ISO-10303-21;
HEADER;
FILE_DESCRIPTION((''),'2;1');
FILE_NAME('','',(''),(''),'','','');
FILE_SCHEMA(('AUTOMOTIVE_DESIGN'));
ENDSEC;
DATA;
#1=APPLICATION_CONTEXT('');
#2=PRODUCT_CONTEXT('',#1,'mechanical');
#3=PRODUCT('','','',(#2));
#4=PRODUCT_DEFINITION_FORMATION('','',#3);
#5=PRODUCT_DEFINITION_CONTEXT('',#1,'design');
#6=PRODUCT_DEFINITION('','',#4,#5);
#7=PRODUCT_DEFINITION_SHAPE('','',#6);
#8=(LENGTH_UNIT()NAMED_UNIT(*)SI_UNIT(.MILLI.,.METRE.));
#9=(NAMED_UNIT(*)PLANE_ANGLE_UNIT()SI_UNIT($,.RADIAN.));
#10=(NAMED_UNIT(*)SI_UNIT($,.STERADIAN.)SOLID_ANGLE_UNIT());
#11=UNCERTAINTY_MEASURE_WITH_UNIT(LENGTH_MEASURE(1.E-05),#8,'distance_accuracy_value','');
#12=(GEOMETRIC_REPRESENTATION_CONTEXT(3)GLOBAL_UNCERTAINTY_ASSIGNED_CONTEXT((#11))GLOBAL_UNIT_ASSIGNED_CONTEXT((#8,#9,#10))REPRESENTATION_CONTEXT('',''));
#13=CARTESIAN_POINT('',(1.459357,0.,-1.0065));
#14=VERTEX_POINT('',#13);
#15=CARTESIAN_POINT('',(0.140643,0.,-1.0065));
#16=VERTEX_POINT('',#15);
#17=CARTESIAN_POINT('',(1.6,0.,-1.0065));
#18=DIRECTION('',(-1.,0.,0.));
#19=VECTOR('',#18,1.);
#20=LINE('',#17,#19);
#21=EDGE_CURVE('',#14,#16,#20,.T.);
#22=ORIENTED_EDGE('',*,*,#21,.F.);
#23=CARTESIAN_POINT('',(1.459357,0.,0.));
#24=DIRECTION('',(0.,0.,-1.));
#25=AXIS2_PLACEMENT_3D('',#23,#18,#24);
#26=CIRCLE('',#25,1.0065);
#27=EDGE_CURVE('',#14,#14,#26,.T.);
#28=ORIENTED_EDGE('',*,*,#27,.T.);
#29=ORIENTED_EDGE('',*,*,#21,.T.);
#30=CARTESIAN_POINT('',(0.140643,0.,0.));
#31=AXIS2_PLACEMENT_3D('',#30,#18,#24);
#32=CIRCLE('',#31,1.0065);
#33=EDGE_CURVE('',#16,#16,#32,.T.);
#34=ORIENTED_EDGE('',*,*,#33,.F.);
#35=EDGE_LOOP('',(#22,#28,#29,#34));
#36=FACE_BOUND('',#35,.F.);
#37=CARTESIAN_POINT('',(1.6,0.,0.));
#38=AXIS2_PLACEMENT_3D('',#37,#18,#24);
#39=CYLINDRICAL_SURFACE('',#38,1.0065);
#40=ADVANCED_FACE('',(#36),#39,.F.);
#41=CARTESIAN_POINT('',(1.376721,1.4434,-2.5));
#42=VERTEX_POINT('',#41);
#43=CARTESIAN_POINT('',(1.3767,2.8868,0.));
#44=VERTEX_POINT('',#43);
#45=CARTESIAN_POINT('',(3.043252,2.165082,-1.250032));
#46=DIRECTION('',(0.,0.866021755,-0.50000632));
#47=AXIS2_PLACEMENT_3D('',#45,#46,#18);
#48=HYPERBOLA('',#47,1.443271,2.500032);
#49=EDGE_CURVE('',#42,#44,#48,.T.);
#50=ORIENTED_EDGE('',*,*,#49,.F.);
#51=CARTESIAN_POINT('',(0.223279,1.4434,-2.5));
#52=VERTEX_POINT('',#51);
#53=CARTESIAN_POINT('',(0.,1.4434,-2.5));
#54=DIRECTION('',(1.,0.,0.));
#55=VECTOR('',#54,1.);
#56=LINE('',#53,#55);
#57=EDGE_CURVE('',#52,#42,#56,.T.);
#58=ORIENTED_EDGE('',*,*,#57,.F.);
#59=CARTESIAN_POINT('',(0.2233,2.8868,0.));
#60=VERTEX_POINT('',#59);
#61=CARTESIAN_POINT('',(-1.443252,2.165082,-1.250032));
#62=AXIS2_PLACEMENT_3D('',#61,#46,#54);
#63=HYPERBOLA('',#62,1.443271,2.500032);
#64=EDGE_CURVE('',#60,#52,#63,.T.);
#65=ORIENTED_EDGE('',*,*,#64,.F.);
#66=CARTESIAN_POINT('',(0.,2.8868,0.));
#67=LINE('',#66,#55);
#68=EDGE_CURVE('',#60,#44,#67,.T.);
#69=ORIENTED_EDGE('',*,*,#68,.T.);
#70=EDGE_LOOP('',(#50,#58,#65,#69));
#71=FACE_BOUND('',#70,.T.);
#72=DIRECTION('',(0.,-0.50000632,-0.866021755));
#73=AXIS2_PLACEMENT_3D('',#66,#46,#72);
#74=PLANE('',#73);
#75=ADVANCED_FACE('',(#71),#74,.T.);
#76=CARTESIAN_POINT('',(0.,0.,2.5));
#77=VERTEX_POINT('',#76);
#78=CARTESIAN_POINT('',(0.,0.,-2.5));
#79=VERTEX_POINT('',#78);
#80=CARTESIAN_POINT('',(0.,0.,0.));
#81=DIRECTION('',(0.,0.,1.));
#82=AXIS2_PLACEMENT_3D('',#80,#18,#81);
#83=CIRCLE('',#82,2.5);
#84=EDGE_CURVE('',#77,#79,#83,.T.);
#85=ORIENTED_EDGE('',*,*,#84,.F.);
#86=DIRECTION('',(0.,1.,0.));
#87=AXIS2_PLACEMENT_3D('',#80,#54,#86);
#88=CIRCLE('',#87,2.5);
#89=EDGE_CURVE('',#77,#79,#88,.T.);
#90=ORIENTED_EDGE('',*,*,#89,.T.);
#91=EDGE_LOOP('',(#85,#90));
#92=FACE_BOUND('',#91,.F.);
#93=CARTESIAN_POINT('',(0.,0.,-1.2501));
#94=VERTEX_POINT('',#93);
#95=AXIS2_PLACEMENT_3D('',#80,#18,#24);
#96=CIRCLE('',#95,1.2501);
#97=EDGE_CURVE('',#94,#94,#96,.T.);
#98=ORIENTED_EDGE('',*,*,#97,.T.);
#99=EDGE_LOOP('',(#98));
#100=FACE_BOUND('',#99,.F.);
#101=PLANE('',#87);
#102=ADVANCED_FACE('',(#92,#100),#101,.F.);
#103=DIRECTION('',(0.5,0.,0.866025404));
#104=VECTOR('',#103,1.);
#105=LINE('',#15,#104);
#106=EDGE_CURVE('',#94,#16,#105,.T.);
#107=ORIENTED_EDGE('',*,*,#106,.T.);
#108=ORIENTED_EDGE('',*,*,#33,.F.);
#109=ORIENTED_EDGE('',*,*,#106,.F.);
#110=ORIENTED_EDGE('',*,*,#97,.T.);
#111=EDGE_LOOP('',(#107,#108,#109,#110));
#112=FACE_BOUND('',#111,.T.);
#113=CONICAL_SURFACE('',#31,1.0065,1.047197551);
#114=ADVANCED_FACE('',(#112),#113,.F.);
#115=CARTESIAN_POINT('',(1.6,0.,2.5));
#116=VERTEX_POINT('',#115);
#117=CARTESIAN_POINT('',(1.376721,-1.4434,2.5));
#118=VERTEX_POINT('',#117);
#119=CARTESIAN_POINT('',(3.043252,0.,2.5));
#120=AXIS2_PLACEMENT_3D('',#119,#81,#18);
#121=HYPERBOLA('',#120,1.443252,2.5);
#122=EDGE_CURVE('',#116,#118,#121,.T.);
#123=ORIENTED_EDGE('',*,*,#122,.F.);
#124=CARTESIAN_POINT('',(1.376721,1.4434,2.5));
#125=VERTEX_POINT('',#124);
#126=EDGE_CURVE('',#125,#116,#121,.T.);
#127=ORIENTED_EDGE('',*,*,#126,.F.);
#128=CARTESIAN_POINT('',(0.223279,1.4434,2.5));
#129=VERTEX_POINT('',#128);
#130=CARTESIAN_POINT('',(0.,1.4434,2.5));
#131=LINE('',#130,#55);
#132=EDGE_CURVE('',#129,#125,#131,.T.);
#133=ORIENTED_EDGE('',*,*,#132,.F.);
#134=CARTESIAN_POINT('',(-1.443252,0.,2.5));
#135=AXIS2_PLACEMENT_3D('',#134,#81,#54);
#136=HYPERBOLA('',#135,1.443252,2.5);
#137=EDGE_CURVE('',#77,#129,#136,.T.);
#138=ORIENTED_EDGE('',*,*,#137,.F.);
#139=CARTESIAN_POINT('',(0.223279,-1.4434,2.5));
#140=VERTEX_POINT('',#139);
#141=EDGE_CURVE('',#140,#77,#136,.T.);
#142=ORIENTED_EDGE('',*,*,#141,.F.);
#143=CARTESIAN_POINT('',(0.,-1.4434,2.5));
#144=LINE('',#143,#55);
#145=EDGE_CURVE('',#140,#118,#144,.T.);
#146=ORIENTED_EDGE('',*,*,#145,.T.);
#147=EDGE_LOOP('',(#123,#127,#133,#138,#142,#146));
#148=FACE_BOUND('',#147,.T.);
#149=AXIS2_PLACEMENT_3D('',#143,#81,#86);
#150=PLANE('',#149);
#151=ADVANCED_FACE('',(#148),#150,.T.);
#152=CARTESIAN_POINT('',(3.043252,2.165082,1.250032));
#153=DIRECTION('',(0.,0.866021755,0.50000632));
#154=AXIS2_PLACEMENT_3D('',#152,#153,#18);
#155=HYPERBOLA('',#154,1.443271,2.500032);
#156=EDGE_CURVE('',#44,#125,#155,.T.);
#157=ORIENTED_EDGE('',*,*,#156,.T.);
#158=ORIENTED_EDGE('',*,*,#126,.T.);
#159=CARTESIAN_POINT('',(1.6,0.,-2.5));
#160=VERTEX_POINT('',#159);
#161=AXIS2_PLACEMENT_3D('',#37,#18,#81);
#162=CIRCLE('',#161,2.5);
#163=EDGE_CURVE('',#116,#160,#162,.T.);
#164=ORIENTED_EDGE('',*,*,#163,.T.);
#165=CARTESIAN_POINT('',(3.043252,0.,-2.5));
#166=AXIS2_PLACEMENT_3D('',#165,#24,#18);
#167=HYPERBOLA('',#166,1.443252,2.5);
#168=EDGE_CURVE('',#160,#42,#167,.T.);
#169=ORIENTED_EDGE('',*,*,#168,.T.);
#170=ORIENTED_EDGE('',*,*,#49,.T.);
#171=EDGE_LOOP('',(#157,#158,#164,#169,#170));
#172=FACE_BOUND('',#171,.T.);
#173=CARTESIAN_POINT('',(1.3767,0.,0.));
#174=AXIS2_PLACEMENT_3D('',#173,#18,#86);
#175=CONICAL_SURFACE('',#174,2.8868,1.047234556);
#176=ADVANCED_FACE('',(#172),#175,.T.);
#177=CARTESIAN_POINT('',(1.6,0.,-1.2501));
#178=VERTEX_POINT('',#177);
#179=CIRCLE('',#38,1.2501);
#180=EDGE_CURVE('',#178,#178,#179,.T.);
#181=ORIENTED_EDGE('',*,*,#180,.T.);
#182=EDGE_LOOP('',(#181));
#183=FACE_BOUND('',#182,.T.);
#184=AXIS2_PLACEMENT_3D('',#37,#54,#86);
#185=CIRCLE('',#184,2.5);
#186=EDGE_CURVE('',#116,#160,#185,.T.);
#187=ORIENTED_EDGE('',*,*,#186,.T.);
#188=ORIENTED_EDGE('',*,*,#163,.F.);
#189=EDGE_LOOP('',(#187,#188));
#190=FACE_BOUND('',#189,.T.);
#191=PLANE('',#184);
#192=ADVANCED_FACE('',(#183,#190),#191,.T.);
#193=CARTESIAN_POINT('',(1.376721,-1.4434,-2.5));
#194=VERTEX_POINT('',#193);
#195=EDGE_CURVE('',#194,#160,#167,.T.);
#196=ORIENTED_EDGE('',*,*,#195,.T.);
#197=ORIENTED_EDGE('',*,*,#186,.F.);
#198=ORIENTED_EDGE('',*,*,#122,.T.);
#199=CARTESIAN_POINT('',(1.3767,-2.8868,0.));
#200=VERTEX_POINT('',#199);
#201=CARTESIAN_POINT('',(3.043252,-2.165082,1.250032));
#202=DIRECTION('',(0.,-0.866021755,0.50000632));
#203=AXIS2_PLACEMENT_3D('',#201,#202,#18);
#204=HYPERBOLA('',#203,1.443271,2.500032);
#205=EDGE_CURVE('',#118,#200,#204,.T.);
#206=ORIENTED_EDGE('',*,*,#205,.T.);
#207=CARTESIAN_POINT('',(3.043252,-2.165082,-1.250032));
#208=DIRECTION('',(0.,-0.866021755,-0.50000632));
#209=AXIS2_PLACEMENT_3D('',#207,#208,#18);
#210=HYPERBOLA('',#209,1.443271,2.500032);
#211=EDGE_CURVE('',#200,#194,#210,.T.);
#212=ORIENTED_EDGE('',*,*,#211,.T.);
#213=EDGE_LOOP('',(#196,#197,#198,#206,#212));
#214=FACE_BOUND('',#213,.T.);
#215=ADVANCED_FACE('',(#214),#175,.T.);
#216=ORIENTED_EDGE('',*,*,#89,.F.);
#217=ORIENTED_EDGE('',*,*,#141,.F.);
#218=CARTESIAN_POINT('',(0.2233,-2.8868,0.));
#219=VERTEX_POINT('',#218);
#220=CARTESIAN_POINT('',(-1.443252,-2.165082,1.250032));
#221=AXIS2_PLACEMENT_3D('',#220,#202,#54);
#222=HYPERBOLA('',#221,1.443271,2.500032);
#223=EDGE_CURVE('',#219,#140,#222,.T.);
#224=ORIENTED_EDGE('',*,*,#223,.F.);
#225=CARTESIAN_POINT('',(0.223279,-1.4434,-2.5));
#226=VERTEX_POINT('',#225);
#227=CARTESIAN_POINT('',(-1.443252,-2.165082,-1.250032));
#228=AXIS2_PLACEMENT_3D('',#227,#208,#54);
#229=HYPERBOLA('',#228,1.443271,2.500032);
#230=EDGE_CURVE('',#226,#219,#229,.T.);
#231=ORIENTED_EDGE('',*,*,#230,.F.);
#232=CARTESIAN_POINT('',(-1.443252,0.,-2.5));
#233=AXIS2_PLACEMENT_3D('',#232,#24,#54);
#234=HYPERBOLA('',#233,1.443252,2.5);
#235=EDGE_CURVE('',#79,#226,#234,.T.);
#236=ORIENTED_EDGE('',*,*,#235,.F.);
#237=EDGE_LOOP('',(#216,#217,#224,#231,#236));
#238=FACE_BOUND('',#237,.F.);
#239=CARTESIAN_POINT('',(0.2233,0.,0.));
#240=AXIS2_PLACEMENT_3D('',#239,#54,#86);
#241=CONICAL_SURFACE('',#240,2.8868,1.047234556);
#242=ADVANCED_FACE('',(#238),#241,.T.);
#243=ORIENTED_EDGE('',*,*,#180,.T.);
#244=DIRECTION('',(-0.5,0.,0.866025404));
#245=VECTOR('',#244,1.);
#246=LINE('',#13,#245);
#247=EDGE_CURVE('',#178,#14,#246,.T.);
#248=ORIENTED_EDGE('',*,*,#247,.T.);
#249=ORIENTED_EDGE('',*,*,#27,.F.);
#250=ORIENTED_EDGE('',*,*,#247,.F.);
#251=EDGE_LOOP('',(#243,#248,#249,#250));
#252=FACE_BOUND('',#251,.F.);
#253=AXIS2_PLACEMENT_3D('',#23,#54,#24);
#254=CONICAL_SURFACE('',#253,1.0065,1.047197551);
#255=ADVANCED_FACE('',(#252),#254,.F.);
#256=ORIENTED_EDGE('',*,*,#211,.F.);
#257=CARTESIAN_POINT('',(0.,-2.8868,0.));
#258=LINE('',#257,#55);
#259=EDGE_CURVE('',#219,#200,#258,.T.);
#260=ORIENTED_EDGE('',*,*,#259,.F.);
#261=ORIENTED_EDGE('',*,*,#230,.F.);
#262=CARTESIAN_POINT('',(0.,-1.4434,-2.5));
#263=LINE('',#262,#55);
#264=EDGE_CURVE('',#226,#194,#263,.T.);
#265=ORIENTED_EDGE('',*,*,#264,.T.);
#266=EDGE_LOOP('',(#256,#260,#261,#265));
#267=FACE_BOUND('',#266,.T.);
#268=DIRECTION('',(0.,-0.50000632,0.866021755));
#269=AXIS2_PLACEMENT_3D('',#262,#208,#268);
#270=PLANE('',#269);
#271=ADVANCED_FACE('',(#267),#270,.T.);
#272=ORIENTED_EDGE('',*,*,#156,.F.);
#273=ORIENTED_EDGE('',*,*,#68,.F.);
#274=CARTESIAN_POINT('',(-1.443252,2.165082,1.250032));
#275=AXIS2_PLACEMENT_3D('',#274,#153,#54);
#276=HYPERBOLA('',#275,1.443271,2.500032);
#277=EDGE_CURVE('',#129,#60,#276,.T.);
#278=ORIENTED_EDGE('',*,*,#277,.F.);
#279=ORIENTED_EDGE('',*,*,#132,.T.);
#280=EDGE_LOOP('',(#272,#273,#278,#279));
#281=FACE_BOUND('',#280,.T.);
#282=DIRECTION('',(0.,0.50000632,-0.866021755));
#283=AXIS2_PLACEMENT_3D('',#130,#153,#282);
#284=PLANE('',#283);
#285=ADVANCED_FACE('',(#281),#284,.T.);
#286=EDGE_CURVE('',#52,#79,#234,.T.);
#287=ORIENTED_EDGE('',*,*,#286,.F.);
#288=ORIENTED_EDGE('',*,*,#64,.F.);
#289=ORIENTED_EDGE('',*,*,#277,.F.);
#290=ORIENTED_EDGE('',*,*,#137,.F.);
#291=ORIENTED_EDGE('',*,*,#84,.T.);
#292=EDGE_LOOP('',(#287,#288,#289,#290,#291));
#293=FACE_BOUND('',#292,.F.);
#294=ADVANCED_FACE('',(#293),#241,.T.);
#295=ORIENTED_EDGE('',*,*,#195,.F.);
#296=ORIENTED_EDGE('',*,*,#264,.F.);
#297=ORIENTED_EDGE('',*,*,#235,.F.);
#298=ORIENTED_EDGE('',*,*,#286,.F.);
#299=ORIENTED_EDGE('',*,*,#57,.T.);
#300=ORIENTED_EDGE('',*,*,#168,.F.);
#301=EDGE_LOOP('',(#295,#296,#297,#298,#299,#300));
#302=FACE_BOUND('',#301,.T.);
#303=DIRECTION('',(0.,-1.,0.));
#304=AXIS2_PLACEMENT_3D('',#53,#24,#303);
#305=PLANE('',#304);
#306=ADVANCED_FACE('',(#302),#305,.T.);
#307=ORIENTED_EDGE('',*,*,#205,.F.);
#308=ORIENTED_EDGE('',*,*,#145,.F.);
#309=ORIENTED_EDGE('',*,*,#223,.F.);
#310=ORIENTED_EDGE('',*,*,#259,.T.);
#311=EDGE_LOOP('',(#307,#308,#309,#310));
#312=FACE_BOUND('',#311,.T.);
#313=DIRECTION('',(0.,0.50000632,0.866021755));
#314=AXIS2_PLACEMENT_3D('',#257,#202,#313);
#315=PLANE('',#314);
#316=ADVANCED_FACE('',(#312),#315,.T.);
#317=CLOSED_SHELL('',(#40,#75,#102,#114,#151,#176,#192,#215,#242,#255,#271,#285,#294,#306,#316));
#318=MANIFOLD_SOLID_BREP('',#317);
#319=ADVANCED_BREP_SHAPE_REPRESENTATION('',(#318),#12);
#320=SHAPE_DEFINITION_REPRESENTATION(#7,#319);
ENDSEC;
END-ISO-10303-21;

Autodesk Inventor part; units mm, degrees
ref_plane "YZ Plane" through (0, 0, 0) normal (1, 0, 0) x (0, 1, 0)
ref_plane "XZ Plane" through (0, 0, 0) normal (0, 1, 0) x (-1, 0, 0)
sketch "Эскиз1" plane through (0, 0, 0) normal (1, 0, 0) x (0, 1, 0)
  line L0 (-2.8868, 0) -> (-1.4434, 2.5)
  line L1 (-1.4434, 2.5) -> (1.4434, 2.5)
  line L2 (1.4434, 2.5) -> (2.8868, 0)
  line L3 (2.8868, 0) -> (1.4434, -2.5)
  line L4 (1.4434, -2.5) -> (-1.4434, -2.5)
  line L5 (-1.4434, -2.5) -> (-2.8868, 0)
  point P0 (0, 0)
  point P1 (0, 0)
  dimension "d0" = 5.7735
extrude "Базовый элемент" add sketch "Эскиз1" along normal blind 1.6
sketch "Эскиз2" plane through (0, 0, 0) normal (0, 0, 1) x (1, 0, 0)
  line L0 (0, 1.4434) -> (0, 2.8868) projected
  line L1 (0, 2.8868) -> (1.6, 2.8868) projected
  line L2 (1.6, 1.4434) -> (1.6, 2.8868) projected
  line L3 (-0.32, 0) -> (1.92, 0) projected
  line L4 (0.2233, 2.8868) -> (0, 2.5)
  line L5 (1.3767, 2.8868) -> (1.6, 2.5)
  dimension "d3" = 30
  dimension "d4" = 30
  dimension "d5" = 5
  dimension "d6" = 5
revolve "Фаска1" cut sketch "Эскиз2" angle 360 about axis through (-10, 0, 0) along (1, 0, 0)
sketch "Эскиз3" plane through (1.6, 0, 0) normal (1, 0, 0) x (0, 0, -1)
  arc A0 (-1.25, -2.1651) -> (1.25, -2.1651) centre (0, 0) ccw projected
hole "Резьба" at (1.6, 0, 0) direction (-1, 0, 0) diameter 2.013 end through all thread size "M2.5x0.45" class "6H" standard "ISO Metric profile"
chamfer "Фаска2" distance 0.2436 angle 30 1 edges at (1.6, 0, 1.0065) measured on face at (1.6, -1.9906, -0.0404)
chamfer "Фаска3" distance 0.2436 angle 30 1 edges at (0, 0, 1.0065) measured on face at (0, -1.9906, -0.0404)
ref_plane "Work Plane1" through (-6.2034, 0, 0) normal (0, -0.866, -0.5) x (1, 0, 0)
equation "\"d0\" = 1.1547 * SW"
equation "\"d1\" = KOH"
equation "\"d3\" = ANG1"
equation "\"d4\" = ANG2"
equation "\"d5\" = SW0"
equation "\"d6\" = SW01"
equation "\"d8\" = -0.5 * GD1 + 0.5 * NND"
equation "\"d40\" = -0.5 * GD1 + 0.5 * NND"
equation "\"d10\" = -0.5 * GD1 + 0.5 * NND"
equation "\"d41\" = -0.5 * GD1 + 0.5 * NND"
equation "\"ANG1\" = 30deg"
equation "\"ANG2\" = 30deg"
equation "\"NND\" = 2.5"
equation "\"KOH\" = 1.6"
equation "\"SW\" = 5"
equation "\"SW0\" = SW"
equation "\"SW01\" = SW"
equation "\"GUL\" = 0.541266 * PTC"
equation "\"THREADDIA\" = 2.5"
equation "\"TOA\" = 30deg"
equation "\"PTC\" = 0.45"
equation "\"E0\" = 1.155 * SW"
equation "\"GAL\" = 0.541266 * PTC"
equation "\"GD1\" = 2.012861"
properties part number "ISO 4035 - M2,5" material "Сталь нержавеющая, 440C"
